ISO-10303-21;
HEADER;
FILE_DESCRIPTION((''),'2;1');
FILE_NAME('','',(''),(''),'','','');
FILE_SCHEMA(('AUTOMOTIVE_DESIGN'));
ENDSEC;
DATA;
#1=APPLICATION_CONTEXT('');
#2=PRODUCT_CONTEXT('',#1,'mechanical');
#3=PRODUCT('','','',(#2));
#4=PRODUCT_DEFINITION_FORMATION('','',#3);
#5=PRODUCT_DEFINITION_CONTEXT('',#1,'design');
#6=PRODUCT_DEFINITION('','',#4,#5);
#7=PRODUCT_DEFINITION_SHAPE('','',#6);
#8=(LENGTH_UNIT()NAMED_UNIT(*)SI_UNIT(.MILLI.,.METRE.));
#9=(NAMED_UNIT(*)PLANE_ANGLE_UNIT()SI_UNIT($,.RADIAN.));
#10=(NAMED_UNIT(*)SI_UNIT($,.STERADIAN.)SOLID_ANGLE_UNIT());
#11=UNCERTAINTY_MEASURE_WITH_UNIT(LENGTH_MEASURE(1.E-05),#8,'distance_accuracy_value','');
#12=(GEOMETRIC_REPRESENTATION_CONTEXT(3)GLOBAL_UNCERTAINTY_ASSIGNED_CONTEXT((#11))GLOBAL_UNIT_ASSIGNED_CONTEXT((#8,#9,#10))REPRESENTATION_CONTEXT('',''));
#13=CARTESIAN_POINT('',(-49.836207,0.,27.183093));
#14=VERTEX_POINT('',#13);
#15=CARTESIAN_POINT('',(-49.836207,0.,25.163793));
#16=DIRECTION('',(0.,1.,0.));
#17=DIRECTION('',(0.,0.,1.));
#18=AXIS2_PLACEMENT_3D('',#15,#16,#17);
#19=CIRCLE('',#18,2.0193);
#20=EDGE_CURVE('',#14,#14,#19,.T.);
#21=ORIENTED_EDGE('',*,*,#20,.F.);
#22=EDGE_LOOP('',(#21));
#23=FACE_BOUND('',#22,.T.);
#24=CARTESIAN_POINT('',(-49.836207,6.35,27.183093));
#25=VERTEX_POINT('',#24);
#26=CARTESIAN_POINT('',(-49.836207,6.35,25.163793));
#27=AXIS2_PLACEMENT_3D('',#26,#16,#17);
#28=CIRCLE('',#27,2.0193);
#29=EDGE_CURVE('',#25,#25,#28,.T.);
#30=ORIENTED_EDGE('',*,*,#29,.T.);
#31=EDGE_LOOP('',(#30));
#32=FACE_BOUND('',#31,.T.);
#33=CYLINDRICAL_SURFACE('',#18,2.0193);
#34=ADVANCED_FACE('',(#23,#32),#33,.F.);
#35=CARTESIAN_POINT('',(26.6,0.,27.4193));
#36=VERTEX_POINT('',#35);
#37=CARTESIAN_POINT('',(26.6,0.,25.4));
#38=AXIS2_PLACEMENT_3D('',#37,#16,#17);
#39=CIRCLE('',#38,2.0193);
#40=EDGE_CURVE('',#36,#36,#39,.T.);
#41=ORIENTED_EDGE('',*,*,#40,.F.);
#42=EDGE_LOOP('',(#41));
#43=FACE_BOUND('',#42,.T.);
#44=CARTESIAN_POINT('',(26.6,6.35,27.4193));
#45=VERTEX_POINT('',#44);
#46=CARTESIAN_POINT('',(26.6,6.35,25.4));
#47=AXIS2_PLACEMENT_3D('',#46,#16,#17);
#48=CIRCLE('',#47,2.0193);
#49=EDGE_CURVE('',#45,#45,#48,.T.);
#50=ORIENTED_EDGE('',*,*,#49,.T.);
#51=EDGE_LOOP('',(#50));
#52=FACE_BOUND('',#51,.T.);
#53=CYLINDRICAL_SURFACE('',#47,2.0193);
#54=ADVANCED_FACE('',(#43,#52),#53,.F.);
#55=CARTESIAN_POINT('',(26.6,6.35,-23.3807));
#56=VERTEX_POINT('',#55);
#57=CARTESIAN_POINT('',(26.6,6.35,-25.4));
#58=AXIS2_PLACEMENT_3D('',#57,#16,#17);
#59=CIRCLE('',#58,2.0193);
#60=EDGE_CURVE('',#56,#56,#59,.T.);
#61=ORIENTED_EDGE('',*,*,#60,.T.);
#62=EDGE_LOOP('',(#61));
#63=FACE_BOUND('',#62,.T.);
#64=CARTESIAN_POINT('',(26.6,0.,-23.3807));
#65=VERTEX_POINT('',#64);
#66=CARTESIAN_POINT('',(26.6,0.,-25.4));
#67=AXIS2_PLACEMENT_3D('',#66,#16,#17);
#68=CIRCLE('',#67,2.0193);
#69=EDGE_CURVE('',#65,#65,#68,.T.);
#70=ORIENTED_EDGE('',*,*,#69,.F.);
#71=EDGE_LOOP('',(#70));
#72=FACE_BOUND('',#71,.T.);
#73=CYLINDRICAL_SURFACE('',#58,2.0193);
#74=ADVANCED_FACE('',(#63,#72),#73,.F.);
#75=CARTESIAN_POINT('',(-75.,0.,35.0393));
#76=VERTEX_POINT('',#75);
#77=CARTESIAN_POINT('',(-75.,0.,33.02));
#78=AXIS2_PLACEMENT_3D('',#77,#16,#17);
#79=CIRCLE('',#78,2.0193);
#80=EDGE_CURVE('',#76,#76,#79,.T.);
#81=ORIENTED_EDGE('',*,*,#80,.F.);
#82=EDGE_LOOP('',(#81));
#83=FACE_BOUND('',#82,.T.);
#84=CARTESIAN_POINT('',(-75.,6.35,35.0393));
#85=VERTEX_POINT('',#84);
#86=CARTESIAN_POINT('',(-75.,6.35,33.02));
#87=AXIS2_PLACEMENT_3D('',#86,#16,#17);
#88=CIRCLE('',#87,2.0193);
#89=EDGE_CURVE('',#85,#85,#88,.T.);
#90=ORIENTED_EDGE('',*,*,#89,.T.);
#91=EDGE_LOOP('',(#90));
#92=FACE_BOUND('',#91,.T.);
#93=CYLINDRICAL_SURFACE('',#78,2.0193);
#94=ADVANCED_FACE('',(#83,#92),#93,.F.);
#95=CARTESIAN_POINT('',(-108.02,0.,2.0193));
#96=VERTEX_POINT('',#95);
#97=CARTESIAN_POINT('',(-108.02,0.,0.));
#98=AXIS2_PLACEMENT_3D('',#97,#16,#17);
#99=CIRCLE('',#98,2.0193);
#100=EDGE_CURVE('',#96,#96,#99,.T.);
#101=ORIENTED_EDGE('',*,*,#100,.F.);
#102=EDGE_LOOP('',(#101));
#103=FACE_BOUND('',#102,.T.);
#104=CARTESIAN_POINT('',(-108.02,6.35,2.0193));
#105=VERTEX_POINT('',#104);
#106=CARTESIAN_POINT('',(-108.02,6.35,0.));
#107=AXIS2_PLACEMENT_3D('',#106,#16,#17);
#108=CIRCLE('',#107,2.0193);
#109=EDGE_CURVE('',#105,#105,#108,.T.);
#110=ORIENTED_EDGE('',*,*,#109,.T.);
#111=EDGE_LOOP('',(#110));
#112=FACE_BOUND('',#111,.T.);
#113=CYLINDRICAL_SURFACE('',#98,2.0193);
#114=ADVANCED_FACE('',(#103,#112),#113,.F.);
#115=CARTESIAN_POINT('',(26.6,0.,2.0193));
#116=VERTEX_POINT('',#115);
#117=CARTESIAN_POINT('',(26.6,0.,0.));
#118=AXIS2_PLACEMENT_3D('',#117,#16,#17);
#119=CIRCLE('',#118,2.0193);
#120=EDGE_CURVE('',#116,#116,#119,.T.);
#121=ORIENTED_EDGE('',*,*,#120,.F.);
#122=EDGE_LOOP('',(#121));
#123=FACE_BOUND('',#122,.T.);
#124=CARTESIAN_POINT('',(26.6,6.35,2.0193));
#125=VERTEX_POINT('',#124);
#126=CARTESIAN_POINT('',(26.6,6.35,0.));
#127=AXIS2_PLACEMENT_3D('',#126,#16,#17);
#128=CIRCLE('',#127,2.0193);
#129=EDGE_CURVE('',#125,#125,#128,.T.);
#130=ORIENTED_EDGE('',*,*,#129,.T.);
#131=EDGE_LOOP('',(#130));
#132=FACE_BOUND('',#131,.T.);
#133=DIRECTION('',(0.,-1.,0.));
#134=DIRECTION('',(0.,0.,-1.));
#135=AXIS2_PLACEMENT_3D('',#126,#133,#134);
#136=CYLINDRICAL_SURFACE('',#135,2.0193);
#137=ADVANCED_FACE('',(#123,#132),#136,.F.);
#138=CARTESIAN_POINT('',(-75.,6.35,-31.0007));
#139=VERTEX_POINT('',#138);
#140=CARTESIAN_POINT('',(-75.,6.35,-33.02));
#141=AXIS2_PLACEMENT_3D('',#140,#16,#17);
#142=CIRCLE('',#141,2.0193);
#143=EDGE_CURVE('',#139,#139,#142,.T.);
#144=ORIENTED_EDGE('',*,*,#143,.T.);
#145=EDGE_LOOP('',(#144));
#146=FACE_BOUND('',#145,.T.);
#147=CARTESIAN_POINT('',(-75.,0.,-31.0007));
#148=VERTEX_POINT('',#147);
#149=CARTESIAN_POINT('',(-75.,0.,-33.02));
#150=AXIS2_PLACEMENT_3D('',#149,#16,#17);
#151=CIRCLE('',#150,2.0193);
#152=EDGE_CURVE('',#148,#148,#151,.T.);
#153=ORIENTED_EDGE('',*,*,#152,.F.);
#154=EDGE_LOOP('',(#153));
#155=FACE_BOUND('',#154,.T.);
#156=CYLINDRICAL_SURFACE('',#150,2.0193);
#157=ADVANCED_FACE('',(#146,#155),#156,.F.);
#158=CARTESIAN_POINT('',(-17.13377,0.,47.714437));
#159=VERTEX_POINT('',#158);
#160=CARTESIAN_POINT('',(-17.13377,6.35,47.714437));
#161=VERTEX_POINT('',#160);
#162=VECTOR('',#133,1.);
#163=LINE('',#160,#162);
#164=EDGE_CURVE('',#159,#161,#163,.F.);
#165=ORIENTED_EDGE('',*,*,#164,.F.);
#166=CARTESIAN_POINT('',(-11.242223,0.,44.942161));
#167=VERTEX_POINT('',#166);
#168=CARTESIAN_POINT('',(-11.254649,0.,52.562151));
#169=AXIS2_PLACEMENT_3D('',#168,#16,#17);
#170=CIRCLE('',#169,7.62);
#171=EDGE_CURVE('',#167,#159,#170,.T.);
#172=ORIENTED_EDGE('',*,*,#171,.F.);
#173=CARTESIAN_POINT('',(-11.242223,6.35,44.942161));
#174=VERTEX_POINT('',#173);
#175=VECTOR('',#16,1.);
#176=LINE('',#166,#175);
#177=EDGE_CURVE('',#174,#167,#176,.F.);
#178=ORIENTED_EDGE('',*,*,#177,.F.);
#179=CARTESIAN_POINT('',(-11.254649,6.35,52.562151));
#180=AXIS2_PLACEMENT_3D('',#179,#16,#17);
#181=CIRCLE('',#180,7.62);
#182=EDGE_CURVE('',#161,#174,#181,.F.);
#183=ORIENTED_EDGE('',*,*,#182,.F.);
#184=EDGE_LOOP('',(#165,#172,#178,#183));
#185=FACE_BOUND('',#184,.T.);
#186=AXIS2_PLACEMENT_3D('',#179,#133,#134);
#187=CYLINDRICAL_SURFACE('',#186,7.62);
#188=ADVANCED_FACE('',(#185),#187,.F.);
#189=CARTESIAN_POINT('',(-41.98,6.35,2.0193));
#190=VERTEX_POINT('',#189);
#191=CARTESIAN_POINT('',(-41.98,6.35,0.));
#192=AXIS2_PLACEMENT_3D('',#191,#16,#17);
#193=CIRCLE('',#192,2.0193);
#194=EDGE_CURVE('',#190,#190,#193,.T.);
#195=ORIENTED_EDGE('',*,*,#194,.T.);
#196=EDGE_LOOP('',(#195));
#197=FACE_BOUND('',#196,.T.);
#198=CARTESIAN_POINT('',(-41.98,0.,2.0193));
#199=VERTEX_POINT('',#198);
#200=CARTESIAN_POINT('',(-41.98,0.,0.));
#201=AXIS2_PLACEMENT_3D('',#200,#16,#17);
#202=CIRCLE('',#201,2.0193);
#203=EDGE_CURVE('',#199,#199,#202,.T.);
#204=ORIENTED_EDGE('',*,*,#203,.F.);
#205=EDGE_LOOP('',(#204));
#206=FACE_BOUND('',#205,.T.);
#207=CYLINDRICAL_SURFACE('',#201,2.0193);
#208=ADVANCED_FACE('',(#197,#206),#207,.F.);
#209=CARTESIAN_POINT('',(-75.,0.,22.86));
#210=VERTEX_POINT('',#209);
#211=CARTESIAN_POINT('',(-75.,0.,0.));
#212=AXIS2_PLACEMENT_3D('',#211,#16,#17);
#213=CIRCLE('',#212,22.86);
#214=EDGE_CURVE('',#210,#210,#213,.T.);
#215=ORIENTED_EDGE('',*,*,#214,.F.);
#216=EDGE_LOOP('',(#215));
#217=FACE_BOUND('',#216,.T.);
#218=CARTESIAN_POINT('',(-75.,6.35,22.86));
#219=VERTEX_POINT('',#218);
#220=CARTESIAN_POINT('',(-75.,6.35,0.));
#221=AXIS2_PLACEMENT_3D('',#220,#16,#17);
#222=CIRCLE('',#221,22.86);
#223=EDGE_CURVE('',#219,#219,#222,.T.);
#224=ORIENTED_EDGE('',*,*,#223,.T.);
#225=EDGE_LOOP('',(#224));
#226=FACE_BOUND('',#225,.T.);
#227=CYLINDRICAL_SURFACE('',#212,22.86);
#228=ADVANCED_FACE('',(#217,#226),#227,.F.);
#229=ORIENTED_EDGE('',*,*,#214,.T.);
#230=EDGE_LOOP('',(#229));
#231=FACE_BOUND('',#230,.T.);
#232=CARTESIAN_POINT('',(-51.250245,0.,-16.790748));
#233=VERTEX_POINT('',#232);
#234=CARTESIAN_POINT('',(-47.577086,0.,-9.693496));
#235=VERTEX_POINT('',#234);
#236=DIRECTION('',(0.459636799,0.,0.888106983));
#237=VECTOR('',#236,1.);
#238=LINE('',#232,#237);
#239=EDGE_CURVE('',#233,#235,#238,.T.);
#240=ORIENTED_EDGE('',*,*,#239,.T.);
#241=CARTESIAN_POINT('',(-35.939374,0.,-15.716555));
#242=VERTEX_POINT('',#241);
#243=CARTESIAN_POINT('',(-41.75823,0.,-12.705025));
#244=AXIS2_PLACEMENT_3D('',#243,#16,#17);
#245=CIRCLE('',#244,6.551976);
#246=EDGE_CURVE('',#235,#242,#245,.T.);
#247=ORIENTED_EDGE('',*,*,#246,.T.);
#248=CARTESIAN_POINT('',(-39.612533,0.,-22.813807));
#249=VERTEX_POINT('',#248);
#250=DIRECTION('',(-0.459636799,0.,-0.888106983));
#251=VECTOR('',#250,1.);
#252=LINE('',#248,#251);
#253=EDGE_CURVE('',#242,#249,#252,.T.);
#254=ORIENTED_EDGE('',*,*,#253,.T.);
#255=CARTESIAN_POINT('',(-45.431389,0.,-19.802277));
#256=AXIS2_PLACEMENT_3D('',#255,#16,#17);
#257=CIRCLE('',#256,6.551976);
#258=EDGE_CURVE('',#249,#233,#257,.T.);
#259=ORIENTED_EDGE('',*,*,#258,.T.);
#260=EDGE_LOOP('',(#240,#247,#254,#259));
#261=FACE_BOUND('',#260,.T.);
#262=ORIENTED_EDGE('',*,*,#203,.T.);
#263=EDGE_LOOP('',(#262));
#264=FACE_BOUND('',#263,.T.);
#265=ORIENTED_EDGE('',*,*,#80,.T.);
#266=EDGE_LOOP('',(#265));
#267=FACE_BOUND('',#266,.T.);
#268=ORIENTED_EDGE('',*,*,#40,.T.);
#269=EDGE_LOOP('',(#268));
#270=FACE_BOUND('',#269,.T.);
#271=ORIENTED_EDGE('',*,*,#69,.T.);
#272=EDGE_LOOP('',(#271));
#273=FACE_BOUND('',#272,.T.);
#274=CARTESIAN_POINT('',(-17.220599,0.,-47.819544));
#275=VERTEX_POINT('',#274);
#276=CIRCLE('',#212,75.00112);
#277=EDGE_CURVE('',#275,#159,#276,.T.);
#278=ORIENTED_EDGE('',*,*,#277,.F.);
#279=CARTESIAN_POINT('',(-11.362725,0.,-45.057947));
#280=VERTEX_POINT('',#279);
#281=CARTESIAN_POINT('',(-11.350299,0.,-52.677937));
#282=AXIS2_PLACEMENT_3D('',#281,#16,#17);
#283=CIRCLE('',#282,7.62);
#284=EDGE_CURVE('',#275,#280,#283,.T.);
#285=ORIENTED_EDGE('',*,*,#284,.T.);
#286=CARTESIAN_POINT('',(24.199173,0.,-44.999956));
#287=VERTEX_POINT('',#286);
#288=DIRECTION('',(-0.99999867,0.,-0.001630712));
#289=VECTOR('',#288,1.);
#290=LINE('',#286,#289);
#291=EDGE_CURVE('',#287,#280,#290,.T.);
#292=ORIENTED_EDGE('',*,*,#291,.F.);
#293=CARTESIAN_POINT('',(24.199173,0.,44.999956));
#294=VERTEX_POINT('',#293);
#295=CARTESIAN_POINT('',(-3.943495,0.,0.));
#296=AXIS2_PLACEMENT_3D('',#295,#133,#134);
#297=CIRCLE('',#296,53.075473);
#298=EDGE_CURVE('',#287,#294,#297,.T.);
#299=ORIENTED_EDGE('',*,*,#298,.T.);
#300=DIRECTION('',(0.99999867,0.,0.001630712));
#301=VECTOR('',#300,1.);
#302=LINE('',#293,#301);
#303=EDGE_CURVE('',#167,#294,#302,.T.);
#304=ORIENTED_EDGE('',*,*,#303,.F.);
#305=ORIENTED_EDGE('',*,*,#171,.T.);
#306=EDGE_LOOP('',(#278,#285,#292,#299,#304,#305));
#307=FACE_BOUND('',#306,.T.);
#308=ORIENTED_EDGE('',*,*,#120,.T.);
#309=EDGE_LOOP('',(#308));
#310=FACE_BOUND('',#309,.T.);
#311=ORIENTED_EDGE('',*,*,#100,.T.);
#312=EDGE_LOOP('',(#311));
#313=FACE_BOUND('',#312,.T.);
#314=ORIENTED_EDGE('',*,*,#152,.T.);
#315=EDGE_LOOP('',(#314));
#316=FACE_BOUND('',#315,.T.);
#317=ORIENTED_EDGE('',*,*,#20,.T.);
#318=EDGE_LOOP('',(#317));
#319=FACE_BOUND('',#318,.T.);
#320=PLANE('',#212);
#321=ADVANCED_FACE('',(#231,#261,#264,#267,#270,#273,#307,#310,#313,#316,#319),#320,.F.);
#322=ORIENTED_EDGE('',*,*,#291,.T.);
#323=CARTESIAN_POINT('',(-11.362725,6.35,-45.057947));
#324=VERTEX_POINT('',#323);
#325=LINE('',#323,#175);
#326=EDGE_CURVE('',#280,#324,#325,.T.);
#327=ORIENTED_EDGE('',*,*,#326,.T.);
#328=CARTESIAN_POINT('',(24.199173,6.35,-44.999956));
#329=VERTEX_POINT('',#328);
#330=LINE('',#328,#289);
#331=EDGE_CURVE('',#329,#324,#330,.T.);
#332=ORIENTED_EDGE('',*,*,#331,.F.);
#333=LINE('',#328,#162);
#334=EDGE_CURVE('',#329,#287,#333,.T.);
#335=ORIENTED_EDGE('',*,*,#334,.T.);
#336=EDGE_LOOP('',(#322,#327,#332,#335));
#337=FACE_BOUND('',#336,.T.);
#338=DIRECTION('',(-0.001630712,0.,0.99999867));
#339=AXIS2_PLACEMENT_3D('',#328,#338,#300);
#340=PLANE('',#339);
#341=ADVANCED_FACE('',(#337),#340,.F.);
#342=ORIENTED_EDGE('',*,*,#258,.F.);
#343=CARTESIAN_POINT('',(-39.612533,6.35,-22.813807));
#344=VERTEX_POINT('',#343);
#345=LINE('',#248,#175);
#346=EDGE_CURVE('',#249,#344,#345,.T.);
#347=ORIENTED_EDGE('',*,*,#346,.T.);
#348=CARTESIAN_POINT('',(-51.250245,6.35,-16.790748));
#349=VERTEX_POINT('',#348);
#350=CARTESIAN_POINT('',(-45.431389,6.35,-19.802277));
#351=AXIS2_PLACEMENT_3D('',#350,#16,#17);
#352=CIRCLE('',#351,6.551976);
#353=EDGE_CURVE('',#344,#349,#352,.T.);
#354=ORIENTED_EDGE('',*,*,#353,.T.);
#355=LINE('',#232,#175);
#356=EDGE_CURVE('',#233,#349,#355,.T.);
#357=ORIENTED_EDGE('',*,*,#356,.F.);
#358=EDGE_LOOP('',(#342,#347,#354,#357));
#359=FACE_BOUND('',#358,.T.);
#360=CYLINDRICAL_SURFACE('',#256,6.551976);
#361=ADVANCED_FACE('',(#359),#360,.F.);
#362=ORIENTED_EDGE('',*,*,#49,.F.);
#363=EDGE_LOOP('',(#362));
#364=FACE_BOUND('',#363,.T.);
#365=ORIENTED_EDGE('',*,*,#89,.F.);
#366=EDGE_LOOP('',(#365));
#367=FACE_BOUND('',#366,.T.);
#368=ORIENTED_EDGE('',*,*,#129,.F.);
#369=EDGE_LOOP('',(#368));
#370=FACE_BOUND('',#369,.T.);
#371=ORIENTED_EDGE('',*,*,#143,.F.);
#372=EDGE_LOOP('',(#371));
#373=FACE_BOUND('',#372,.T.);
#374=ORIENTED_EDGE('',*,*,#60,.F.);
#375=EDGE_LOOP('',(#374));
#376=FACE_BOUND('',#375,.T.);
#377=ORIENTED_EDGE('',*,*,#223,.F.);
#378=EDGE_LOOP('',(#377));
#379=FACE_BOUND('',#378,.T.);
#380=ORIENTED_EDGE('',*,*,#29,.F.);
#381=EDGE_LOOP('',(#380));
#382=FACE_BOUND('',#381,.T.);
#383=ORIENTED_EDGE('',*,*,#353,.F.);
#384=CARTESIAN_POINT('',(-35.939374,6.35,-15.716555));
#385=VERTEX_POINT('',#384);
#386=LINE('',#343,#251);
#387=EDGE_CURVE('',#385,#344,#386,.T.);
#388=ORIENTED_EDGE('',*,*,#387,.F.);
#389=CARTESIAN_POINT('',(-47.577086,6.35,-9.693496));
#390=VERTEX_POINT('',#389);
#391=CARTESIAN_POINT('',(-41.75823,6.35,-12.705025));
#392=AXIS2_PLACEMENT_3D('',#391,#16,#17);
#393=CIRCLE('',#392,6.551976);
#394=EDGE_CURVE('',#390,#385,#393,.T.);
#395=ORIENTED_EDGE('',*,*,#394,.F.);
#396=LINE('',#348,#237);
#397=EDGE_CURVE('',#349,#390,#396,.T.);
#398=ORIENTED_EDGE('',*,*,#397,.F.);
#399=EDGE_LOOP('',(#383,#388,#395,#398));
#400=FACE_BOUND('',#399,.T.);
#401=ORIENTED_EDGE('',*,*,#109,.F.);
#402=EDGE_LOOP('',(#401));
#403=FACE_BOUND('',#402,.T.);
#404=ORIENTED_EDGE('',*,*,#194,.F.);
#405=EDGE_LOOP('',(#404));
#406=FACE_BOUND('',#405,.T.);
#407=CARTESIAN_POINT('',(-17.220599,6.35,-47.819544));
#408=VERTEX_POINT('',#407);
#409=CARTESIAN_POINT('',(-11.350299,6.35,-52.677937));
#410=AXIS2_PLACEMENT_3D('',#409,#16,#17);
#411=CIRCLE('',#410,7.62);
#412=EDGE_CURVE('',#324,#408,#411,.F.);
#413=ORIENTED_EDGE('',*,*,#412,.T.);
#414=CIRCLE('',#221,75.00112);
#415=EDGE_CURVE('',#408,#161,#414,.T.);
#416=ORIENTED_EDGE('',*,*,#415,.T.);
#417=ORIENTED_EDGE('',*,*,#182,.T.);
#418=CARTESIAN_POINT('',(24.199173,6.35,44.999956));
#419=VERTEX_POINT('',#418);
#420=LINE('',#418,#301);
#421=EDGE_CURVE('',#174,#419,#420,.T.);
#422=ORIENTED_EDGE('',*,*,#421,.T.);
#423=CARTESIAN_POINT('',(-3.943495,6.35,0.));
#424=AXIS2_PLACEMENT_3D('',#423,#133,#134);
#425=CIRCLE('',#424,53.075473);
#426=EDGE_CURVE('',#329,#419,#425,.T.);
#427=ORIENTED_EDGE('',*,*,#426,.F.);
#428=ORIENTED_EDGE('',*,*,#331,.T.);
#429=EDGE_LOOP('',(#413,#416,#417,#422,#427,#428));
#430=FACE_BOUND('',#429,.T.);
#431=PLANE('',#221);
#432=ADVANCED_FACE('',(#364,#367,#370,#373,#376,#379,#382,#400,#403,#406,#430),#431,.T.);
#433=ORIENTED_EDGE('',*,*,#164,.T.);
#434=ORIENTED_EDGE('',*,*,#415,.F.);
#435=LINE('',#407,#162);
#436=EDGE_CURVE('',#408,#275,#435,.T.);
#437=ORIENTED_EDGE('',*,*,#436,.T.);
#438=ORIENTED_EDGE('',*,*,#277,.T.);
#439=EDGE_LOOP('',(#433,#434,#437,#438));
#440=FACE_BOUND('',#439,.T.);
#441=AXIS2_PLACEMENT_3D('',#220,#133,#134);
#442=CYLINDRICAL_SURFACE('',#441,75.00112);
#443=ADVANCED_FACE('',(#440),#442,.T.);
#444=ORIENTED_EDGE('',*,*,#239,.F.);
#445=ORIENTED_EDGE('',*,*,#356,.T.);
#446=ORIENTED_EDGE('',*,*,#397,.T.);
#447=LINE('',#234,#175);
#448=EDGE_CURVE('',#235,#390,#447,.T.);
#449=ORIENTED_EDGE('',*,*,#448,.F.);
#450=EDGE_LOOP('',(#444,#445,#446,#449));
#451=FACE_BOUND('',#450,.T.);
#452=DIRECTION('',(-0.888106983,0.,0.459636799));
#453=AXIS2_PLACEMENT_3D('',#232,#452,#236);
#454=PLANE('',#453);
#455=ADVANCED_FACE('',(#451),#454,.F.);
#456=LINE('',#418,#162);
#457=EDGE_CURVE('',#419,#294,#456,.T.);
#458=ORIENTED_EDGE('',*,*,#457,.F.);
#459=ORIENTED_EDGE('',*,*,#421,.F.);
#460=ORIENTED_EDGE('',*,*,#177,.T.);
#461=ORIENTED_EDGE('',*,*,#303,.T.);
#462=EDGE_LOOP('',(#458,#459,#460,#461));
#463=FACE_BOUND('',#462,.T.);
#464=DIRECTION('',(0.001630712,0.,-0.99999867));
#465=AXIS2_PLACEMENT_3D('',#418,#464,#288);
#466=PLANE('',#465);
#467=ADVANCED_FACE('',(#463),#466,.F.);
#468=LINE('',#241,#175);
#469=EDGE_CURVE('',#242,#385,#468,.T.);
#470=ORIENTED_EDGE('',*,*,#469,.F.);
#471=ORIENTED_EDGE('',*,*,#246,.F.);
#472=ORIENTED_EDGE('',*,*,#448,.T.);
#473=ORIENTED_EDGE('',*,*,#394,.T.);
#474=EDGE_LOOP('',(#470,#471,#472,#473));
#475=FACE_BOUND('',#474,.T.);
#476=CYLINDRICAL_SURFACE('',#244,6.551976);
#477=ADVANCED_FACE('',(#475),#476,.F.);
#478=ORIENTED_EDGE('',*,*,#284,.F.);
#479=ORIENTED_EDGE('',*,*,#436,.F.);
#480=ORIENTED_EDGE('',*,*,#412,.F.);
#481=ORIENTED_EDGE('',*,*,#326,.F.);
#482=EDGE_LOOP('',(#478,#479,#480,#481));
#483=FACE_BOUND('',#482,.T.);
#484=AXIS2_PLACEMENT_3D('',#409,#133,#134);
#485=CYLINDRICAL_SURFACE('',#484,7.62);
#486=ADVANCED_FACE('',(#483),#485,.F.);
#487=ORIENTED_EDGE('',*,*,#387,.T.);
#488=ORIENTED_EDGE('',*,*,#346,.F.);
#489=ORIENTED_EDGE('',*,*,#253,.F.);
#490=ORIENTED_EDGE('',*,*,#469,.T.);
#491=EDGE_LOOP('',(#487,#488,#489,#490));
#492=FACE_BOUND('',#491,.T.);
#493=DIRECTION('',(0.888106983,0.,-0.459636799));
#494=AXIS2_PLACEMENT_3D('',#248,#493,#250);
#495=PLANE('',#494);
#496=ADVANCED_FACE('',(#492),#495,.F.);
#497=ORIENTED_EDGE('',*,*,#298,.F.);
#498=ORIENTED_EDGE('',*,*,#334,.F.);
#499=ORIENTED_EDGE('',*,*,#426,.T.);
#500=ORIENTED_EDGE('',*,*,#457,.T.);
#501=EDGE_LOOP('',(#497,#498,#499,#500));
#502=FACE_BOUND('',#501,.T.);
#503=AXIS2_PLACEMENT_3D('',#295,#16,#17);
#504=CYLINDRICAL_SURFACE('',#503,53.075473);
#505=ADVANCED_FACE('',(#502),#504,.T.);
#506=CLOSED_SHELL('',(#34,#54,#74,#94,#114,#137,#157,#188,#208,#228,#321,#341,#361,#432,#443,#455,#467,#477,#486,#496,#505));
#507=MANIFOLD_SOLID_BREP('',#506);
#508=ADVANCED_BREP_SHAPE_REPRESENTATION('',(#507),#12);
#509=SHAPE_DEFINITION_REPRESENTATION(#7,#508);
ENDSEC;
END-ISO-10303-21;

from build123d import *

# Parameters (mm, degrees)
SKETCH1_R                   = 2.0193
BOSS_EXTRUDE1_DEPTH         = 6.35
SKETCH16_R                  = 22.86
SKETCH16_R_2                = 2.0193
CUT_EXTRUDE1_DEPTH          = 6.35
FILLET1_R                   = 7.62
F_21_0_159_DIAMETER_HOLE1_D = 4.0386
CUT_EXTRUDE2_DEPTH          = 168.826775285
CUT_EXTRUDE3_DEPTH          = 168.826775285


with BuildPart() as part:
    # Sketch1 → Boss-Extrude1 (new body)
    with BuildSketch(Plane(origin=(0, 0, 0), x_dir=(1, 0, 0), z_dir=(0, 1, 0))):
        with BuildLine():
            Line((24.199172761, -44.999955873), (-14.950739381, -44.936113543))
            ThreePointArc((-14.950739381, -44.936113543), (-150.001077441, -0.07990002), (-15.0466181, 45.063954554))
            Line((-15.0466181, 45.063954554), (24.199172761, 44.999955873))
            ThreePointArc((24.199172761, 44.999955873), (71.663954553, 0), (24.199172761, -44.999955873))
        make_face()
        with Locations(Location((26.6, 0, 0), (0, 0, 270))):
            Circle(SKETCH1_R, mode=Mode.SUBTRACT)
    extrude(amount=BOSS_EXTRUDE1_DEPTH)

    # Sketch16 → Cut-Extrude1 (cut)
    with BuildSketch(Plane(origin=(0.964771866, 6.35, 105.934324836), x_dir=(-1, 0, 0), z_dir=(0, 1, 0))):
        with Locations(Location((75.964771866, -105.934324836, 0), (0, 0, 90))):
            Circle(SKETCH16_R)
        with Locations(Location((50.800979112, -80.770532082, 0), (0, 0, 90))):
            Circle(SKETCH16_R_2)
        with Locations(Location((42.944771866, -105.934324836, 0), (0, 0, 90))):
            Circle(SKETCH16_R_2)
        with Locations(Location((75.964771866, -72.914324836, 0), (0, 0, 90))):
            Circle(SKETCH16_R_2)
        with Locations(Location((108.984771866, -105.934324836, 0), (0, 0, 90))):
            Circle(SKETCH16_R_2)
        with Locations(Location((75.964771866, -138.954324836, 0), (0, 0, 90))):
            Circle(SKETCH16_R_2)
    extrude(amount=-CUT_EXTRUDE1_DEPTH, mode=Mode.SUBTRACT)

    # Fillet1
    fillet1_edges = [part.edges().sort_by_distance(p)[0] for p in [
        (-15.0466181, 3.175, -45.063954554),
        (-14.950739381, 3.175, 44.936113543),
    ]]
    fillet(fillet1_edges, radius=FILLET1_R)

    # #21 (0.159) Diameter Hole1 (through all)
    with Locations(Plane(origin=(0, 6.35, 0), x_dir=(1, 0, 0), z_dir=(0, 1, 0))):
        with Locations((26.6, 25.4), (26.6, -25.4)):
            Hole(F_21_0_159_DIAMETER_HOLE1_D / 2)

    # Sketch19 → Cut-Extrude2 (cut, through all)
    with BuildSketch(Plane(origin=(0, 6.35, 0), x_dir=(1, 0, 0), z_dir=(0, 1, 0))):
        with BuildLine():
            ThreePointArc((24.199172761, 44.999955873), (49.131977277, 0), (24.199172761, -44.999955873))
            ThreePointArc((24.199172761, -44.999955873), (71.663954553, 0), (24.199172761, 44.999955873))
        make_face()
    extrude(amount=-CUT_EXTRUDE2_DEPTH, mode=Mode.SUBTRACT)

    # Sketch20 → Cut-Extrude3 (cut, through all)
    with BuildSketch(Plane(origin=(0, 6.35, 0), x_dir=(1, 0, 0), z_dir=(0, 1, 0))):
        with BuildLine():
            Line((-39.61253295, 22.813806704), (-35.939374007, 15.716554888))
            ThreePointArc((-35.939374007, 15.716554888), (-38.746700574, 6.886169325), (-47.577086137, 9.693495892))
            Line((-47.577086137, 9.693495892), (-51.25024508, 16.790747709))
            ThreePointArc((-51.25024508, 16.790747709), (-48.442918513, 25.621133271), (-39.61253295, 22.813806704))
        make_face()
    extrude(amount=-CUT_EXTRUDE3_DEPTH, mode=Mode.SUBTRACT)


solid = part.part
